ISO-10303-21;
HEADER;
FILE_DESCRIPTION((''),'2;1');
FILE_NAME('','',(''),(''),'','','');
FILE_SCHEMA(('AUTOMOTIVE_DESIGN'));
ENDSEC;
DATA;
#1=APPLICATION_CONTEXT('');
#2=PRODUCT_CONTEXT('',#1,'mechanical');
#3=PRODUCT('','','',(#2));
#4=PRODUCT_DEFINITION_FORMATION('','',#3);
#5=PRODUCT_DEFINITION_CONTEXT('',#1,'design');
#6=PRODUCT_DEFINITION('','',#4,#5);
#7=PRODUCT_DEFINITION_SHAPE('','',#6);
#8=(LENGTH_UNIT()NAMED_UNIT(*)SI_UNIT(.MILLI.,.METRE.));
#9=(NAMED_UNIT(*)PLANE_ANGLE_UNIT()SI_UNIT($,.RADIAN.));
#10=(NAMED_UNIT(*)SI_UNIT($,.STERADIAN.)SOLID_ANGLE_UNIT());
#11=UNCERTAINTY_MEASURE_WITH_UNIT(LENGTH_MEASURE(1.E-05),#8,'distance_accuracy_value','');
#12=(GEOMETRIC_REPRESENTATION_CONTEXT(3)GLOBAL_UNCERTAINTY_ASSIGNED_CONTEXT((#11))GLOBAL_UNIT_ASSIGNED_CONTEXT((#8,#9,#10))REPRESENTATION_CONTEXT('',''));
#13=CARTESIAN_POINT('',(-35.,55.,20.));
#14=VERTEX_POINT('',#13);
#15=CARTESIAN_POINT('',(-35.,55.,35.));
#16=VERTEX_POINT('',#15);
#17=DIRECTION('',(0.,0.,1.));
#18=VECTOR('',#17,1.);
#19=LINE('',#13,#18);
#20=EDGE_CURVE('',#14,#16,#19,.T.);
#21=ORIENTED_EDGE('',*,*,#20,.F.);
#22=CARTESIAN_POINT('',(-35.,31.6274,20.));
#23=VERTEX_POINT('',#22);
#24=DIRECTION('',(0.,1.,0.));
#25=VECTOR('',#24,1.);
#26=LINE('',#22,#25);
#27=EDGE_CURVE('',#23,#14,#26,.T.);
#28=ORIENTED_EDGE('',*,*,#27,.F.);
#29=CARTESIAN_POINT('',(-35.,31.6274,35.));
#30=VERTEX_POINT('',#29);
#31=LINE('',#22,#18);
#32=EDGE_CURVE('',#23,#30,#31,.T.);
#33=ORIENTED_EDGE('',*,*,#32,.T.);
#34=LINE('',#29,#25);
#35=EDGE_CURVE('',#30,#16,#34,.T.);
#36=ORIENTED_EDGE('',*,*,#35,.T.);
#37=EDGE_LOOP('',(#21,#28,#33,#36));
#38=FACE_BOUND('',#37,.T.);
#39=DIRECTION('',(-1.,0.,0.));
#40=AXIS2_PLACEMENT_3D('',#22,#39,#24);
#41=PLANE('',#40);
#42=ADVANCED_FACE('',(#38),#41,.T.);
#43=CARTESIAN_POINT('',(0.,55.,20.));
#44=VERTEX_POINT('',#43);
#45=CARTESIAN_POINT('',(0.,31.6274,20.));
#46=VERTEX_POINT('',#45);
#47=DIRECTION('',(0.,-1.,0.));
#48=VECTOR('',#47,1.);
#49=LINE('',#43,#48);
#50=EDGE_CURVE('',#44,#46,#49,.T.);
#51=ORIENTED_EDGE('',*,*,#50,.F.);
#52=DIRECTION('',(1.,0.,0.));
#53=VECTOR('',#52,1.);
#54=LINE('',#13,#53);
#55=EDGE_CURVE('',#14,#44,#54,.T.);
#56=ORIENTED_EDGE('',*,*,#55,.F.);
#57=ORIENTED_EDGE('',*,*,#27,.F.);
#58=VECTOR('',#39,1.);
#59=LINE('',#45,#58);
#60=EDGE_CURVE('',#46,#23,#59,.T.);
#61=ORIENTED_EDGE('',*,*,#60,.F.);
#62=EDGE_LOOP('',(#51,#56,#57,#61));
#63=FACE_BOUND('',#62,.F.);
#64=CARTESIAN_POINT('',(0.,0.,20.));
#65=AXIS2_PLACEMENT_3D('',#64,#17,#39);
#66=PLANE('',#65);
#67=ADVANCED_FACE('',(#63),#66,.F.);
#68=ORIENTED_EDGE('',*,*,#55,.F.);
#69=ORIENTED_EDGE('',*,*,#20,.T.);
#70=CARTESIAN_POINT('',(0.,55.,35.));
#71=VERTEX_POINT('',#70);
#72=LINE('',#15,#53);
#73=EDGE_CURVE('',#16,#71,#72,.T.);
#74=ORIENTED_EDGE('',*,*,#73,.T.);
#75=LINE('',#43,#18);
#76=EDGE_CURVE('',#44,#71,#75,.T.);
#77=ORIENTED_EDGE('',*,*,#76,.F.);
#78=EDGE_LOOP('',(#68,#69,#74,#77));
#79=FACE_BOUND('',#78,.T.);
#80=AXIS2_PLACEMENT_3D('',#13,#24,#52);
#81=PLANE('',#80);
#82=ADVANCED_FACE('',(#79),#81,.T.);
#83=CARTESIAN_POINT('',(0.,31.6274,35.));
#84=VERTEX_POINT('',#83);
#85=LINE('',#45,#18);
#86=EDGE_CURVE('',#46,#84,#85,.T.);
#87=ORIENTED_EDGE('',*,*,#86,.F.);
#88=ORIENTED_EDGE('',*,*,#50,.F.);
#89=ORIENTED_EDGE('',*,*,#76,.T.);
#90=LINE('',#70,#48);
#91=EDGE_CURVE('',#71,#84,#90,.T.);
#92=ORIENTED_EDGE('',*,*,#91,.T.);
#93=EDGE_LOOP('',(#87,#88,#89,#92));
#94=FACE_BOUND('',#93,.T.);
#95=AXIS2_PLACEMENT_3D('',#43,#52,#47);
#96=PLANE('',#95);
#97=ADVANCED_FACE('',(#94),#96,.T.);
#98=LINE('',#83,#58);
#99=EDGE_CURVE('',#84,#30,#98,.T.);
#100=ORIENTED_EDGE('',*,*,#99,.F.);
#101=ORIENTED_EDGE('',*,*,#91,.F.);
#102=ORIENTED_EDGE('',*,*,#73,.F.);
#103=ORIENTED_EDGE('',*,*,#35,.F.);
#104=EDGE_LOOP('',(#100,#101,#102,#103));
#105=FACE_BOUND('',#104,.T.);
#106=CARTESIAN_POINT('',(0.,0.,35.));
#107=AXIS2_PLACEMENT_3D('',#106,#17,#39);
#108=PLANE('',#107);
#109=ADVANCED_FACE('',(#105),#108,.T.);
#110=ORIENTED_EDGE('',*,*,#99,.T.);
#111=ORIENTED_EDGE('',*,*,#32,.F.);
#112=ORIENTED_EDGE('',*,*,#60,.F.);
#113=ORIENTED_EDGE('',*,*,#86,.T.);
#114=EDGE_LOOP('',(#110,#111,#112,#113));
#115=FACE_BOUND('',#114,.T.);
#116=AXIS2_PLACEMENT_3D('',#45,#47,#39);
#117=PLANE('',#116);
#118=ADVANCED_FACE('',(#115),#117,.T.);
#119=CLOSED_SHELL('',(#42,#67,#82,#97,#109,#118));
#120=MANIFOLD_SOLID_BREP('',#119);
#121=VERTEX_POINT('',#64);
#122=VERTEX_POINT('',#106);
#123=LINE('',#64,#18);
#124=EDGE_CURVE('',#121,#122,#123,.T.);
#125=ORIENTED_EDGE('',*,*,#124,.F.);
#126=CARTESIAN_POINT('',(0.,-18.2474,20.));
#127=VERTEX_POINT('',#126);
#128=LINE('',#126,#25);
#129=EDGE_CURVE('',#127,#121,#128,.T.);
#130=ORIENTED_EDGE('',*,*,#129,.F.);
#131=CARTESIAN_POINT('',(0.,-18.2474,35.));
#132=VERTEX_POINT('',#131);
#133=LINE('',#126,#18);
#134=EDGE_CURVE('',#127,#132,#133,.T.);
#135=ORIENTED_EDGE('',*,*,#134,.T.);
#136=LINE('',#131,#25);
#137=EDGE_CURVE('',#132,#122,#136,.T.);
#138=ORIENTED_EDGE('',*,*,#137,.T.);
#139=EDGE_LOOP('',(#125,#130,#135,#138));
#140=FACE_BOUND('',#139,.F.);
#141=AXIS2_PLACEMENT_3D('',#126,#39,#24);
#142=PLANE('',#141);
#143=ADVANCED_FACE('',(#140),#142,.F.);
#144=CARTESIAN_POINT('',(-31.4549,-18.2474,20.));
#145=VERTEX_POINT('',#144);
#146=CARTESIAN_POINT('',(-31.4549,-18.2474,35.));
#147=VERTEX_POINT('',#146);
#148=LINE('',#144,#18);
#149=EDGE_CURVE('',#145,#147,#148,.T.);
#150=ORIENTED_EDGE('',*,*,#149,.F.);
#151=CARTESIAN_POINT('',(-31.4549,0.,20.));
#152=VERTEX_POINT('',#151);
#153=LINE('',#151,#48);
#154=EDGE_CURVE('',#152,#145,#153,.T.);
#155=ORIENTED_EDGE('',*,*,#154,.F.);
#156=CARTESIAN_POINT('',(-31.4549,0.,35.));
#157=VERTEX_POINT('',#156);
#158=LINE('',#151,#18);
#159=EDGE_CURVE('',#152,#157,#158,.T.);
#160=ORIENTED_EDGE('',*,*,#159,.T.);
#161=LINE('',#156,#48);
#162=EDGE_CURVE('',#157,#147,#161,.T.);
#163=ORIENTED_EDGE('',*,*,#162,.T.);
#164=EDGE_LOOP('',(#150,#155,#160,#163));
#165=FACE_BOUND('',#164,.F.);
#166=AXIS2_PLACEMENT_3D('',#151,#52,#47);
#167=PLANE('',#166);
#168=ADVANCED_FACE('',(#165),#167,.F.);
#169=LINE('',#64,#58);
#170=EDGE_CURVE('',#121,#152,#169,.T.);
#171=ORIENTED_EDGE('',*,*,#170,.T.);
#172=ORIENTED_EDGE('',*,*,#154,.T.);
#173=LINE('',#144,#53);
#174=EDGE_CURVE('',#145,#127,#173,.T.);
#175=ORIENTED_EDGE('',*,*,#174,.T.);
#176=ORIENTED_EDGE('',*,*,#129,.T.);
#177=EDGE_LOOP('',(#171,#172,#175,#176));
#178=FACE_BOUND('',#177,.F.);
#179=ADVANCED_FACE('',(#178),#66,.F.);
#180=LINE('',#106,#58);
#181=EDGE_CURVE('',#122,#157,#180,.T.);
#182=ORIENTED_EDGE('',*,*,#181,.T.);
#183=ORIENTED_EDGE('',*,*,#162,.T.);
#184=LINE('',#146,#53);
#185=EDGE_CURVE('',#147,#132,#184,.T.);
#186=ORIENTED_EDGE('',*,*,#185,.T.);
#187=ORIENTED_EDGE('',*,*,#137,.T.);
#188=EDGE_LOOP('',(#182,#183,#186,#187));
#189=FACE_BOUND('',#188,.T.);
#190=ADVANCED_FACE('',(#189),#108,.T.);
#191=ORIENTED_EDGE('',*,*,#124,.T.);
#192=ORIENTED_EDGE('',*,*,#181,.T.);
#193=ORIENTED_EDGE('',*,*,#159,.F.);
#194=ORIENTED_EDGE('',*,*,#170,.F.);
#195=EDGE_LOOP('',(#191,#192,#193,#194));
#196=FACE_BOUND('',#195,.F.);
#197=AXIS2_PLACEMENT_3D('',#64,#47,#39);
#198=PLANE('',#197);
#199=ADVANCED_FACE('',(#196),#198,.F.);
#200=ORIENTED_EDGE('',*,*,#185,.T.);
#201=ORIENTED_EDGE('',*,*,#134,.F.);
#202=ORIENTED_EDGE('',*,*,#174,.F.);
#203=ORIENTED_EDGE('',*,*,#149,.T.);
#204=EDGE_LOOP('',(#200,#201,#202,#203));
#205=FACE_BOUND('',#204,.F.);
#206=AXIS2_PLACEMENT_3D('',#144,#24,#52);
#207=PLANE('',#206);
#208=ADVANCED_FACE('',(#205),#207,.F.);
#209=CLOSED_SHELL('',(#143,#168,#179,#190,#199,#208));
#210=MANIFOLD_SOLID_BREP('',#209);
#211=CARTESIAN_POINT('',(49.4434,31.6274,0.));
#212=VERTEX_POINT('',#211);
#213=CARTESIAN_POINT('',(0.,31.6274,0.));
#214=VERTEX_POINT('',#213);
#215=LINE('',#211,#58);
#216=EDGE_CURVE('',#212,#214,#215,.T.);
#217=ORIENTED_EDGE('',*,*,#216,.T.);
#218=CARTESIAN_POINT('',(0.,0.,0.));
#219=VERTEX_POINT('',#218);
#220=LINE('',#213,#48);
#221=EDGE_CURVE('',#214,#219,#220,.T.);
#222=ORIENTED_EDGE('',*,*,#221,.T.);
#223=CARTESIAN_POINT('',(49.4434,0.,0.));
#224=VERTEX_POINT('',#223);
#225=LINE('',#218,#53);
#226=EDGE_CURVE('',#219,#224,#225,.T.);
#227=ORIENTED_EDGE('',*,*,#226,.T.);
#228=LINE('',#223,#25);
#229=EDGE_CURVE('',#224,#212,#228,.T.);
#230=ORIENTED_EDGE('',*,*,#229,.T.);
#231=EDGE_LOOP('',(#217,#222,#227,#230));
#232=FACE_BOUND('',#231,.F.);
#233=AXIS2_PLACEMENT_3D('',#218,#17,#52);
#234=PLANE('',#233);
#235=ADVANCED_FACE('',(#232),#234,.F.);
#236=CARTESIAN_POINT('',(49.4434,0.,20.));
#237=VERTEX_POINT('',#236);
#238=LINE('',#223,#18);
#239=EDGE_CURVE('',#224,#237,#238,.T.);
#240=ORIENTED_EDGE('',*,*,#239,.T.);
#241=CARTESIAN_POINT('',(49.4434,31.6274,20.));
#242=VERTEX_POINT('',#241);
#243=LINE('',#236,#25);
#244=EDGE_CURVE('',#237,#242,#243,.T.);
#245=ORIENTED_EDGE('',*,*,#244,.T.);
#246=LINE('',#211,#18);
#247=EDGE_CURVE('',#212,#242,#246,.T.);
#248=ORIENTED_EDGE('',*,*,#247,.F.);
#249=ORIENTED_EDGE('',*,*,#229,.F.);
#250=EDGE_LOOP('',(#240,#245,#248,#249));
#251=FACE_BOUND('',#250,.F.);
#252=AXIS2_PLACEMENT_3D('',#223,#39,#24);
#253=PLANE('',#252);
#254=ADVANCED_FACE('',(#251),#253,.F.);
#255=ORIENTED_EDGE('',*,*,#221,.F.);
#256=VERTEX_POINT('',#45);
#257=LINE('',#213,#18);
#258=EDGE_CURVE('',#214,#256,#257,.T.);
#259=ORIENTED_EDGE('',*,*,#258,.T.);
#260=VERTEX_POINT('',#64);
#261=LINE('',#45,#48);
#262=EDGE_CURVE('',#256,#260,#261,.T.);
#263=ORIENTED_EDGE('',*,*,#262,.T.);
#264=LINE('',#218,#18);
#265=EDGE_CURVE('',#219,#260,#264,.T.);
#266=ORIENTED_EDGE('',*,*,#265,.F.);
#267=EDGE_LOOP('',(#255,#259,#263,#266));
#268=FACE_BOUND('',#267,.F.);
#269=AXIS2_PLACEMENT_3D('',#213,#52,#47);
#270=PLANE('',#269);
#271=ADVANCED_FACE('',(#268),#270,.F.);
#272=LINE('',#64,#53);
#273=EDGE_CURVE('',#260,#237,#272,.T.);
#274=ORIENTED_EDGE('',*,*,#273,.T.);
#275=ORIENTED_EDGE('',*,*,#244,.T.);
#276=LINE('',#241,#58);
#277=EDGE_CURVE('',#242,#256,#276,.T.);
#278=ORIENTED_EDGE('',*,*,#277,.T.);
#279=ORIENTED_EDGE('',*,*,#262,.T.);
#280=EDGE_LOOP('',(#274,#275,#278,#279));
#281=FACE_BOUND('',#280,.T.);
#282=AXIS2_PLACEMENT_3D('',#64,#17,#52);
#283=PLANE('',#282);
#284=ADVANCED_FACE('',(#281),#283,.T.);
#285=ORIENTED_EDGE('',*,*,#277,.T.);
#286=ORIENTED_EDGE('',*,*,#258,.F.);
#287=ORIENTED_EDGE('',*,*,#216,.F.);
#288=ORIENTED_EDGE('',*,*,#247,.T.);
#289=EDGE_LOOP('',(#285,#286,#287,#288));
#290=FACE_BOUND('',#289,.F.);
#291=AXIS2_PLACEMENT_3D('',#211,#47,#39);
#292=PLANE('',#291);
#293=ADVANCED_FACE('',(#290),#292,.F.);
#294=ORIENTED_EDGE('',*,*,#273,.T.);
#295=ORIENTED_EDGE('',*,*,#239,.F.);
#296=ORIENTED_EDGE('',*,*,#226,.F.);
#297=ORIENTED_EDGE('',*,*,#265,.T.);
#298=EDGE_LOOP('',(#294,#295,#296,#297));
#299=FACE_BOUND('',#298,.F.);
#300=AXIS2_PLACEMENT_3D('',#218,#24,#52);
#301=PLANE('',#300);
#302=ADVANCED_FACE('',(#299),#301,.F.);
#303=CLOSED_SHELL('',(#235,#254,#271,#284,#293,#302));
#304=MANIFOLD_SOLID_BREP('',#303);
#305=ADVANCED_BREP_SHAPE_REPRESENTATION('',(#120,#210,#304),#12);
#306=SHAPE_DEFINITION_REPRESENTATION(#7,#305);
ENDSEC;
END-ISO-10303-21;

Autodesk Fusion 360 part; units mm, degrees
sketch "Sketch1" plane through (0, 0, 0) normal (0, 1, 0) x (1, 0, 0)
sketch "Sketch2" plane through (0, 0, 0) normal (0, 0, 1) x (1, 0, 0)
  line L0 (0, 0) -> (49.4434, 0)
  line L1 (49.4434, 0) -> (49.4434, 31.6274)
  line L2 (49.4434, 31.6274) -> (0, 31.6274)
  line L3 (0, 31.6274) -> (0, 0)
extrude "Extrude1" add sketch "Sketch2" along normal blind 20 makes body 1
sketch "Sketch3" plane through (0, 0, 20) normal (0, 0, 1) x (-1, 0, 0)
  line L0 (0, -31.6274) -> (0, 0)
  line L1 (0, 0) -> (-49.4434, 0)
  line L2 (-49.4434, 0) -> (-49.4434, -31.6274)
  line L3 (-49.4434, -31.6274) -> (0, -31.6274)
  line L4 (0, 0) -> (31.4549, 0)
  line L5 (31.4549, 0) -> (31.4549, 18.2474)
  line L6 (31.4549, 18.2474) -> (0, 18.2474)
  line L7 (0, 18.2474) -> (0, 0)
  line L8 (0, -31.6274) -> (35, -31.6274)
  line L9 (35, -31.6274) -> (35, -55)
  line L10 (35, -55) -> (0, -55)
  line L11 (0, -55) -> (0, -31.6274)
extrude "Extrude2" add sketch "Sketch3" along normal blind 15 separate body contours L4 L5 L6 L7 | L8 L9 L10 L11 makes body 2 at (-11.6667, 39.4183, 20) makes body 3 at (-10.485, -12.1649, 20)
